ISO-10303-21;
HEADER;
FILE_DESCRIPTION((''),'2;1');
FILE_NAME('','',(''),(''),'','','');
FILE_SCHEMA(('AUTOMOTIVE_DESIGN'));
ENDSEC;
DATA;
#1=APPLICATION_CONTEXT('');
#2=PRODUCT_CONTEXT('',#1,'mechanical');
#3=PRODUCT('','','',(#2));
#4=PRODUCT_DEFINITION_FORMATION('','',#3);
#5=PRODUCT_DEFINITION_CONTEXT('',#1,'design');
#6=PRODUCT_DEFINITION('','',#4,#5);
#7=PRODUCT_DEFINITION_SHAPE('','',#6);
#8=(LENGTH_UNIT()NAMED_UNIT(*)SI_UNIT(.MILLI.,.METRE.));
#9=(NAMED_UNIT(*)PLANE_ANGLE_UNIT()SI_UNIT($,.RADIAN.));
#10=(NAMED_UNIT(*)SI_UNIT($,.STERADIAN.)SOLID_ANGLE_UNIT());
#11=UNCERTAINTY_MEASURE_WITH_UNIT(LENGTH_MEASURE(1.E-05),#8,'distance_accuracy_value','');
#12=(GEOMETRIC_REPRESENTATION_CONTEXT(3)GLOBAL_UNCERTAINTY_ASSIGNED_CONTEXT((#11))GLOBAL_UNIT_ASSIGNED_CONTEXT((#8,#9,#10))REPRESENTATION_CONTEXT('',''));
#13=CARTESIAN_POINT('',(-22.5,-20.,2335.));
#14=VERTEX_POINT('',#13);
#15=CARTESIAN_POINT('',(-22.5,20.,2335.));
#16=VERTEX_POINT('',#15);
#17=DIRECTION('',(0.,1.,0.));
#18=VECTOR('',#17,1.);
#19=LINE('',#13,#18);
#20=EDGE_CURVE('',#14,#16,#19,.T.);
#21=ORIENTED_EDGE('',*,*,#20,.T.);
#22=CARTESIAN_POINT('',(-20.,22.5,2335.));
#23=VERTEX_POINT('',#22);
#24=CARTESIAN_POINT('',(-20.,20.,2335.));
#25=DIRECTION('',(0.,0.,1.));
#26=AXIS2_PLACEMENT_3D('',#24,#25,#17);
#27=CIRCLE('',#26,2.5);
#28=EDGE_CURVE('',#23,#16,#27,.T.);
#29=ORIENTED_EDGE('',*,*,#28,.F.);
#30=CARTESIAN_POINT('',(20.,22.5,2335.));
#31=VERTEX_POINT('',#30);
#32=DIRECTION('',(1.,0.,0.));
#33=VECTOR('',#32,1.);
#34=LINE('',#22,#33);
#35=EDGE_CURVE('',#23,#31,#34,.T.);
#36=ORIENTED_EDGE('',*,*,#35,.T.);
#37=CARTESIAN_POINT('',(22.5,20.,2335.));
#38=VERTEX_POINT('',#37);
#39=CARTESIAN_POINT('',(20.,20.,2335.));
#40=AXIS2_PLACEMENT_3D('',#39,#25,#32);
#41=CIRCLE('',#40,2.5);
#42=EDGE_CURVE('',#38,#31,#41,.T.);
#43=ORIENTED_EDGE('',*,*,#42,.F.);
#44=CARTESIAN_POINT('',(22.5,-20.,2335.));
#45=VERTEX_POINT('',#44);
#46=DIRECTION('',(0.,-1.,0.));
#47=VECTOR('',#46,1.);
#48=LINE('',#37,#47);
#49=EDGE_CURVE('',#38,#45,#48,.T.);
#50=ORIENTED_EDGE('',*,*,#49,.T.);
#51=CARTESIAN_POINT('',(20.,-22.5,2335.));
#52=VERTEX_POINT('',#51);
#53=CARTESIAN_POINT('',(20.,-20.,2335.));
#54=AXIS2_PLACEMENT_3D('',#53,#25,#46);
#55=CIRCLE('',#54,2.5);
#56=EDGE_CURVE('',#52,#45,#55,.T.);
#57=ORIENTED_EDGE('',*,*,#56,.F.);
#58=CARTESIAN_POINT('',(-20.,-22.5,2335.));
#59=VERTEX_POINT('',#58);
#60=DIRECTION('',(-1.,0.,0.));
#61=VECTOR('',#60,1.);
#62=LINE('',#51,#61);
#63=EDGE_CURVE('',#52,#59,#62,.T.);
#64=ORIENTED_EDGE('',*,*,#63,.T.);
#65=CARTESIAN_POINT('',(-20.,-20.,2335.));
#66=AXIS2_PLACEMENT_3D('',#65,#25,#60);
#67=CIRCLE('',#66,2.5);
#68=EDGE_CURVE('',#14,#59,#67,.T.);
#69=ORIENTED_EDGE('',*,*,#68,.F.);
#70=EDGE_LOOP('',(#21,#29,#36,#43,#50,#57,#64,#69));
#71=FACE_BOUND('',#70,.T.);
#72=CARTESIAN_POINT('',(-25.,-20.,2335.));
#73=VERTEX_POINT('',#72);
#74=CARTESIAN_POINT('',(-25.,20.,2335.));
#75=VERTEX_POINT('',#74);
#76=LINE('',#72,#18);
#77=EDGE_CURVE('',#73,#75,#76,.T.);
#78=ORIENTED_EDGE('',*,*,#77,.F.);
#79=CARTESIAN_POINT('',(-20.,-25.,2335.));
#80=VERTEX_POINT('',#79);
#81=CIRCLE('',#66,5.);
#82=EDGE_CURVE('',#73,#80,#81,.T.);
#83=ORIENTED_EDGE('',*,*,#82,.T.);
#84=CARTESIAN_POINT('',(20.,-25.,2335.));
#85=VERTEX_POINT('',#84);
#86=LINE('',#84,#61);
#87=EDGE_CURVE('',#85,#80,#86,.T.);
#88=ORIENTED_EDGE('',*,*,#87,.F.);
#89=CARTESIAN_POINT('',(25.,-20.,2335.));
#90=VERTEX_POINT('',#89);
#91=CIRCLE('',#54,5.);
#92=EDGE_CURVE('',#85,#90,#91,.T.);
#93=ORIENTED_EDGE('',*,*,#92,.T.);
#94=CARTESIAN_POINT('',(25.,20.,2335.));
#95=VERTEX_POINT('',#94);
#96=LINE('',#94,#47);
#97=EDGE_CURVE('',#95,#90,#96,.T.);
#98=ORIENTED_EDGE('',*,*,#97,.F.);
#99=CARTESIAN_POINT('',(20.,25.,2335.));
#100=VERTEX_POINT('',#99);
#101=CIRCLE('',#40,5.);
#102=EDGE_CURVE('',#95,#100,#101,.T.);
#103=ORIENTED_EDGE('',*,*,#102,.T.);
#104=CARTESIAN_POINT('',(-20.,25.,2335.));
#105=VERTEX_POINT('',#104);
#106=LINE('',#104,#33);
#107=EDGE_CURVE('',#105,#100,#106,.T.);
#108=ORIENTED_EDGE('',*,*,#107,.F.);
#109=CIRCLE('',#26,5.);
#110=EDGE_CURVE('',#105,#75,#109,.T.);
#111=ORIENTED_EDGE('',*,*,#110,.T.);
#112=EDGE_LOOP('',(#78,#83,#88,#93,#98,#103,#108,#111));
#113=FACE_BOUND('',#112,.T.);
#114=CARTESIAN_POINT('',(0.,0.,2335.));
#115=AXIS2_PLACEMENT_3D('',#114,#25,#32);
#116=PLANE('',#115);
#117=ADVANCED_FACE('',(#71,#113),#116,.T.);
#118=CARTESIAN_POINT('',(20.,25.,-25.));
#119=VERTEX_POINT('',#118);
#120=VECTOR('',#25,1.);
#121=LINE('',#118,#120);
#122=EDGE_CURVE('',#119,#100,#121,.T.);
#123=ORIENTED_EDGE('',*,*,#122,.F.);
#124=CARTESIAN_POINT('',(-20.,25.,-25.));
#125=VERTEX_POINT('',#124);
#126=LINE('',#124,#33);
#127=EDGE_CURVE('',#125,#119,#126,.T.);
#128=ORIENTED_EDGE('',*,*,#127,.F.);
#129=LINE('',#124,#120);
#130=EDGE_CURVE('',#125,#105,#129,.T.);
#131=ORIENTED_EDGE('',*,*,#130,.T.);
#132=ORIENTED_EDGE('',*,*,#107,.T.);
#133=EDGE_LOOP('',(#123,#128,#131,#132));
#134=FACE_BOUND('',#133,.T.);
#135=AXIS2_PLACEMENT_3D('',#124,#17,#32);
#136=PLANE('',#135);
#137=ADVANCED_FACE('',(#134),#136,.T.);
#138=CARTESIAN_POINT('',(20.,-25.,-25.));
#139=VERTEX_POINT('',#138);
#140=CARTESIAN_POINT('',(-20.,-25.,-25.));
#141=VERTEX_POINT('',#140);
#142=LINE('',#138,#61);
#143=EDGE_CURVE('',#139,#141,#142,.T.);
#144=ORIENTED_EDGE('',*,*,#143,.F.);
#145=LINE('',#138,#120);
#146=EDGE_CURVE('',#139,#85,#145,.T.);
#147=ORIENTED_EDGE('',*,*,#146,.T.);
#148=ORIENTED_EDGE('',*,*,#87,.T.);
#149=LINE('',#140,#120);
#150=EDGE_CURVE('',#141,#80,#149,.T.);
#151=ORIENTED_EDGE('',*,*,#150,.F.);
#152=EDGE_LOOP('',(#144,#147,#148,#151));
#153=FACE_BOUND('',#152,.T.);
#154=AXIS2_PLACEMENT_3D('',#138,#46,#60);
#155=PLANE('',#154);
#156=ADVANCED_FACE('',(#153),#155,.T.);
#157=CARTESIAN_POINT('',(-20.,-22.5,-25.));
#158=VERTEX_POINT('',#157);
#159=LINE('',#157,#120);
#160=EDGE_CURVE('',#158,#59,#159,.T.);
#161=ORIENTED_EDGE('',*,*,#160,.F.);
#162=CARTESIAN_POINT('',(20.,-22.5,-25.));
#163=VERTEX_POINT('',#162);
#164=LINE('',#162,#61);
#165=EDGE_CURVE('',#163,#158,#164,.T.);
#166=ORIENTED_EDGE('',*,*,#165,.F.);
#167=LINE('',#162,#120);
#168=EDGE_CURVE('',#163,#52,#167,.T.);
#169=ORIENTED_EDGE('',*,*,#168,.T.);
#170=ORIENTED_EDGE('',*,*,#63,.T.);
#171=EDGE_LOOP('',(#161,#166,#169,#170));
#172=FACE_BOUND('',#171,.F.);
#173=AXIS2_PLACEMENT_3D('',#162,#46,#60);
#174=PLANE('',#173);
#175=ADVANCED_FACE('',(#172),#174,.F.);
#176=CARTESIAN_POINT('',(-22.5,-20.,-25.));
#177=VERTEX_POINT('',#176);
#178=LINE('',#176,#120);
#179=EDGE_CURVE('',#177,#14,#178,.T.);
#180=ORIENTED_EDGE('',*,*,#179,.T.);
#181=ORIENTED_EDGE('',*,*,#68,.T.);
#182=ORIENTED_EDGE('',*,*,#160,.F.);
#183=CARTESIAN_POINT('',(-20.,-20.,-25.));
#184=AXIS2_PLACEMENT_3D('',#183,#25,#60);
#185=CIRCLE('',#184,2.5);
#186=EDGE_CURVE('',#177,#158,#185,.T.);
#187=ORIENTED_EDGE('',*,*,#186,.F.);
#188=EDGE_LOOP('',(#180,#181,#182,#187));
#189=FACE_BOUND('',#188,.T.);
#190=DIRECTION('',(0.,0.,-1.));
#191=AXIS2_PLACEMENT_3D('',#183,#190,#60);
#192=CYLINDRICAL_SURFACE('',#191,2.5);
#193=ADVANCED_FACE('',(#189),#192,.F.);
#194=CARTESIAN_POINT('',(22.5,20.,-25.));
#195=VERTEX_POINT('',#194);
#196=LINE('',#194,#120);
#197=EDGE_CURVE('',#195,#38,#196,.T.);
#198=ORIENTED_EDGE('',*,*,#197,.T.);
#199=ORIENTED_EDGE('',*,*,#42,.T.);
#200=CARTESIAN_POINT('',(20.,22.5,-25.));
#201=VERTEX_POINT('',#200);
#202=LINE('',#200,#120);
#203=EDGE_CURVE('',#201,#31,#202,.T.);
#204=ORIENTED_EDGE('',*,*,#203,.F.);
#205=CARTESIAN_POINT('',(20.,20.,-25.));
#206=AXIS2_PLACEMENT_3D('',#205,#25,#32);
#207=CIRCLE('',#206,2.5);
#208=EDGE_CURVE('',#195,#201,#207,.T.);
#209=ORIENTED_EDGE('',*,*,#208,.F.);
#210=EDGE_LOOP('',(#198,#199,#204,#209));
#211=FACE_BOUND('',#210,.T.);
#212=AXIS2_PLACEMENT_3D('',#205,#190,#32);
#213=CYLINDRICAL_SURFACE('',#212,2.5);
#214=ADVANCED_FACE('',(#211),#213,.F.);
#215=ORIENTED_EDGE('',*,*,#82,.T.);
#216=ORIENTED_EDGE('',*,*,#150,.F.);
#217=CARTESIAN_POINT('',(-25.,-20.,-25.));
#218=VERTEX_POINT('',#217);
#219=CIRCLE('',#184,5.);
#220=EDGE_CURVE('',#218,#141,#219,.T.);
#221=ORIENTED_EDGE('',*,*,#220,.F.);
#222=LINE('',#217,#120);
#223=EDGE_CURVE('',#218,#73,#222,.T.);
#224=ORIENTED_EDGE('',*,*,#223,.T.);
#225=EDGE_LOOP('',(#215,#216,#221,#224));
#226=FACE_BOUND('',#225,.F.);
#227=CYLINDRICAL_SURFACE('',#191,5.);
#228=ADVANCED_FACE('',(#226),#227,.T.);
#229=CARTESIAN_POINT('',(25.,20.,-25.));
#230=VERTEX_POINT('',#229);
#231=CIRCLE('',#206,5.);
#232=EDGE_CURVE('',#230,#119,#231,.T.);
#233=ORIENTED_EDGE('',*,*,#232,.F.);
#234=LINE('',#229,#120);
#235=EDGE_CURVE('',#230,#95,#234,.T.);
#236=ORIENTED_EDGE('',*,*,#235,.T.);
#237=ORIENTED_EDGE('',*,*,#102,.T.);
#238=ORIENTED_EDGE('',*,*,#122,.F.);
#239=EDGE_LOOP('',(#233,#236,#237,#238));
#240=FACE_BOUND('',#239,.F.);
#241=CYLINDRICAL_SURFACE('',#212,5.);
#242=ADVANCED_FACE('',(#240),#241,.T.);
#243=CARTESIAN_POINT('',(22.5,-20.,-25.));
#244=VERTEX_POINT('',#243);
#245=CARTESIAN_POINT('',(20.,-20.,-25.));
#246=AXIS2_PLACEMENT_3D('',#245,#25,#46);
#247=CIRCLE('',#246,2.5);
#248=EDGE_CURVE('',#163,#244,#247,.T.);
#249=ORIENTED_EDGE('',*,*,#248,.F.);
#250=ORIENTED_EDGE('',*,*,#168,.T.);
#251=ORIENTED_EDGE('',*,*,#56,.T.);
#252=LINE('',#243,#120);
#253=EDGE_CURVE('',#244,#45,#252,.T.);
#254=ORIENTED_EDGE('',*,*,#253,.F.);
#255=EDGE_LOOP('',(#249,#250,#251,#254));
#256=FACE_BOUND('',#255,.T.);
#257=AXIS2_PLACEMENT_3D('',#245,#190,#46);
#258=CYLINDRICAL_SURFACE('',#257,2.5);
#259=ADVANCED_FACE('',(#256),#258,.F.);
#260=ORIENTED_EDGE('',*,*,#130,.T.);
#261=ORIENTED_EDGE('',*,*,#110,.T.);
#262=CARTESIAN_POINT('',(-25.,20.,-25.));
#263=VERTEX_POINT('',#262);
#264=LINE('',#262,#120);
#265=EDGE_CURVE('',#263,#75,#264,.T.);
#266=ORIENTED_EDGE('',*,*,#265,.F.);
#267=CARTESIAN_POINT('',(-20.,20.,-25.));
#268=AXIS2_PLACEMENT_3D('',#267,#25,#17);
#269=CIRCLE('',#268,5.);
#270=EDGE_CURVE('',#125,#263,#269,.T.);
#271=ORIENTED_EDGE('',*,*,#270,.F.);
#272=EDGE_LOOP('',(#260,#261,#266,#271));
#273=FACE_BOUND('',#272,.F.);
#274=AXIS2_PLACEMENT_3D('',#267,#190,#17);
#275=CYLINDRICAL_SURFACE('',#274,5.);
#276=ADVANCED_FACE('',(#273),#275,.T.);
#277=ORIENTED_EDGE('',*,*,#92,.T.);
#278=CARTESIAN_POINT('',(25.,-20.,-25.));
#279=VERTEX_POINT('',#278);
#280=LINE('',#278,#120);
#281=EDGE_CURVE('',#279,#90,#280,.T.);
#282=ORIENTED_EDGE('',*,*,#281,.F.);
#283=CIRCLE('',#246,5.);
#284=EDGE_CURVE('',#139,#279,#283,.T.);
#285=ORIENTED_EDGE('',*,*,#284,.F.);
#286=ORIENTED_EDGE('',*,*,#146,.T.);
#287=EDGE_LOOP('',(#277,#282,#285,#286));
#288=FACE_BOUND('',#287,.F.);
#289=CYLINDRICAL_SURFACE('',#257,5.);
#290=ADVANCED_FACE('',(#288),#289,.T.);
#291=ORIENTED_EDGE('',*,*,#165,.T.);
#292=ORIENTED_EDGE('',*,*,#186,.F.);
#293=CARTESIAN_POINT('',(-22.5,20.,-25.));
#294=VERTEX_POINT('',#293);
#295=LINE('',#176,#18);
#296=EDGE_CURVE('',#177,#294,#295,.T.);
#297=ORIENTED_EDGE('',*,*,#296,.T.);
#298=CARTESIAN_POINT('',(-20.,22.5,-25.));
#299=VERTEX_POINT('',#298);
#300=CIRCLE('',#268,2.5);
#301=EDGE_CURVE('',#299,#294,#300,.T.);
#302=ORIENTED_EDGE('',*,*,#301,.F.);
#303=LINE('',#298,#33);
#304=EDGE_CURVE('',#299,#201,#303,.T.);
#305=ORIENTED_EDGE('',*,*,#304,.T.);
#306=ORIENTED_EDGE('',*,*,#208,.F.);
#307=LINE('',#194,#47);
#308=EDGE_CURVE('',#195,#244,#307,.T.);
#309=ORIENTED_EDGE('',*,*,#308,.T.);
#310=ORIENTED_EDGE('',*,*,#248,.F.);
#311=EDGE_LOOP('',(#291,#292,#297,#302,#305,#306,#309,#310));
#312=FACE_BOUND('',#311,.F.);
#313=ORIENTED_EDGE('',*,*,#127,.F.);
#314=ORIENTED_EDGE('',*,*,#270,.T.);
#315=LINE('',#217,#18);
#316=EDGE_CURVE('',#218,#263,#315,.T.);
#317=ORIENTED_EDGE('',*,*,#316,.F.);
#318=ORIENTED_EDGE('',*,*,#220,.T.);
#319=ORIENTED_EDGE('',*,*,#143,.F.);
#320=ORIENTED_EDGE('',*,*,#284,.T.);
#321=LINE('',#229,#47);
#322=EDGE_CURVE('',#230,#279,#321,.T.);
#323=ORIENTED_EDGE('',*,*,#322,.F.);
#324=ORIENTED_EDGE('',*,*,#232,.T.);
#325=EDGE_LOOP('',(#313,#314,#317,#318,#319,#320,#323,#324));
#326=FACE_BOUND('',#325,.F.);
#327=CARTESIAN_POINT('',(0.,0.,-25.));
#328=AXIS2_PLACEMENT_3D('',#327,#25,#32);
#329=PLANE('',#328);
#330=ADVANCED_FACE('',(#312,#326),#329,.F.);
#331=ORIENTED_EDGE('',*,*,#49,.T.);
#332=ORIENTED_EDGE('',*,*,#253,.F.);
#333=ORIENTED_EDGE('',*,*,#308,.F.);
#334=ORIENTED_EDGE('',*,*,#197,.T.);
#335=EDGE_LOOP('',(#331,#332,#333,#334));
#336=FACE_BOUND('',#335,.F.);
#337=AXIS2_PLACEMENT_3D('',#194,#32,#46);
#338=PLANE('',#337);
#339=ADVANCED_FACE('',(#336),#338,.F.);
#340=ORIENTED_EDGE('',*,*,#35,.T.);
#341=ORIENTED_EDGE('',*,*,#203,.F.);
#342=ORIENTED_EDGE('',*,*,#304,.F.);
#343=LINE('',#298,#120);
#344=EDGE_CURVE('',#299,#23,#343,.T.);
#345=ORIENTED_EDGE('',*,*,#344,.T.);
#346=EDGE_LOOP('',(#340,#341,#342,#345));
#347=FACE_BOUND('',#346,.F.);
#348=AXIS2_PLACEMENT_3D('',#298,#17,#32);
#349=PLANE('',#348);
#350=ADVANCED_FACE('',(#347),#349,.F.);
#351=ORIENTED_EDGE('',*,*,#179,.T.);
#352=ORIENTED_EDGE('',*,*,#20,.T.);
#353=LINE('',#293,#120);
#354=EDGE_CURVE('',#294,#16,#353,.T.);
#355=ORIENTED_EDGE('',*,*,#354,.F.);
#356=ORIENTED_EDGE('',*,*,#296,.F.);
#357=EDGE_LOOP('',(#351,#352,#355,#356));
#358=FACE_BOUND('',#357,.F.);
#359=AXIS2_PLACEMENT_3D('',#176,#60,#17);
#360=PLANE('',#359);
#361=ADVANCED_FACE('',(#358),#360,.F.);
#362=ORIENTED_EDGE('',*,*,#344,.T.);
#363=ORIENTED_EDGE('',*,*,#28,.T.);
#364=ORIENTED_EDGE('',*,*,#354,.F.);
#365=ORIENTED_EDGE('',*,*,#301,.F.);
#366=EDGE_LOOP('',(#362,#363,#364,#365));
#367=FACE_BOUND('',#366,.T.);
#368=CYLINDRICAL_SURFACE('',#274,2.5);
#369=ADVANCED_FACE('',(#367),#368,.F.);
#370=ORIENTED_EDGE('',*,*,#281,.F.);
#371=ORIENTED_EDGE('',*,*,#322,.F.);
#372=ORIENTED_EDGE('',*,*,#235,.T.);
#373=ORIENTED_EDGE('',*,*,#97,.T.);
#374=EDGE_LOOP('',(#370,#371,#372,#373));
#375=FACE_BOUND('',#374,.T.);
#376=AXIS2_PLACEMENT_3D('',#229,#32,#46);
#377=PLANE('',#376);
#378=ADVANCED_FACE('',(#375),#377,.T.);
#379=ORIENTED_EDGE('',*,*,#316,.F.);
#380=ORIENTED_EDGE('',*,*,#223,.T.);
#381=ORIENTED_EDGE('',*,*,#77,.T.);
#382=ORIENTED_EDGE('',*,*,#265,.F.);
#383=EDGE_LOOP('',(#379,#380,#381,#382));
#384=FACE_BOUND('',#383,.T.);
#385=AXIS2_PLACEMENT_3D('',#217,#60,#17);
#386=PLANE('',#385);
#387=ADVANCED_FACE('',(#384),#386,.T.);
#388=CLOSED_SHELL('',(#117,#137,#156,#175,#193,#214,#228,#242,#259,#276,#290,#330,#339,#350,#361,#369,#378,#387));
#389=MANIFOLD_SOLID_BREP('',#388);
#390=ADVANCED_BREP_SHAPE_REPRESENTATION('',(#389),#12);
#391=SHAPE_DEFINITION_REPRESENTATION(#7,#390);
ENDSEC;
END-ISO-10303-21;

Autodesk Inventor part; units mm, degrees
ref_plane "Start plane" through (0, 0, -25) normal (0, 0, 1) x (1, 0, 0)
ref_plane "End plane" through (0, 0, 2335) normal (0, 0, 1) x (1, 0, 0)
sketch "Sketch" plane through (0, 0, 0) normal (0, 0, 1) x (1, 0, 0)
  line L0 (-25, -20) -> (-25, 20)
  line L1 (-20, 25) -> (20, 25)
  line L2 (25, 20) -> (25, -20)
  line L3 (20, -25) -> (-20, -25)
  arc A0 (-25, -20) -> (-20, -25) centre (-20, -20) ccw
  arc A1 (25, 20) -> (20, 25) centre (20, 20) ccw
  arc A2 (-20, 25) -> (-25, 20) centre (-20, 20) ccw
  arc A3 (20, -25) -> (25, -20) centre (20, -20) ccw
  arc A4 (-20, 22.5) -> (-22.5, 20) centre (-20, 20) ccw
  line L4 (-20, 22.5) -> (20, 22.5)
  arc A5 (22.5, 20) -> (20, 22.5) centre (20, 20) ccw
  line L5 (22.5, 20) -> (22.5, -20)
  arc A6 (20, -22.5) -> (22.5, -20) centre (20, -20) ccw
  line L6 (20, -22.5) -> (-20, -22.5)
  arc A7 (-22.5, -20) -> (-20, -22.5) centre (-20, -20) ccw
  line L7 (-22.5, -20) -> (-22.5, 20)
  line L8 (0, 50.7397) -> (0, -50.7397) construction
  line L9 (-50.7397, 0) -> (50.7397, 0) construction
  dimension "d7" = 5
  dimension "d9" = 50
  dimension "d11" = 50
  dimension "d12" = 2.5
  dimension "d15" = 25
  dimension "d16" = 25
extrude "Body" add sketch "Sketch" along normal up to surface (2360 mm away) from surface at -25
sketch "Sketch3" plane through (0, 0, 0) normal (0, 0, 1) x (1, 0, 0)
  line L0 (0, 0) -> (10, 0)
ref_plane "Work Plane3" through (0, 0, 0) normal (0, -1, 0) x (1, 0, 0)
sketch "Sketch4" plane through (0, 0, 0) normal (0, -1, 0) x (1, 0, 0)
  line L0 (-2, -25) -> (12, -25)
  line L1 (-2, 2335) -> (12, 2335)
  dimension "d18" = 2360
ref_plane "Work Plane4" through (-1000, 21, -25) normal (0, 0, -1) x (-1, 0, 0)
split "Split1" plane through (-1000, 21, -25) removes the side toward (0, 0, -1)
ref_plane "Work Plane5" through (-1000, -21, 2335) normal (0, 0, 1) x (1, 0, 0)
split "Split2" plane through (-1000, -21, 2335) removes the side toward (0, 0, 1)
equation "\"d7\" = G_IR"
equation "\"d9\" = G_W"
equation "\"d11\" = G_H"
equation "\"d12\" = G_T"
equation "\"d15\" = 0.5 * d9"
equation "\"d16\" = 0.5 * d11"
equation "\"d3\" = G_L"
equation "\"G_W\" = 50"
equation "\"G_H\" = 50"
equation "\"G_T\" = 2.5"
equation "\"G_IR\" = 5"
equation "\"G_L\" = d18"
equation "\"G_OFFSET_START\" = 25"
equation "\"G_OFFSET_END\" = 25"
equation "\"d13\" = -G_OFFSET_START"
equation "\"d14\" = G_OFFSET_END + B_L"
equation "\"B_L\" = 2310"
properties part number "ISO 10799-2 - 50x50x2.5 - 2360" material "Steel, Mild"
